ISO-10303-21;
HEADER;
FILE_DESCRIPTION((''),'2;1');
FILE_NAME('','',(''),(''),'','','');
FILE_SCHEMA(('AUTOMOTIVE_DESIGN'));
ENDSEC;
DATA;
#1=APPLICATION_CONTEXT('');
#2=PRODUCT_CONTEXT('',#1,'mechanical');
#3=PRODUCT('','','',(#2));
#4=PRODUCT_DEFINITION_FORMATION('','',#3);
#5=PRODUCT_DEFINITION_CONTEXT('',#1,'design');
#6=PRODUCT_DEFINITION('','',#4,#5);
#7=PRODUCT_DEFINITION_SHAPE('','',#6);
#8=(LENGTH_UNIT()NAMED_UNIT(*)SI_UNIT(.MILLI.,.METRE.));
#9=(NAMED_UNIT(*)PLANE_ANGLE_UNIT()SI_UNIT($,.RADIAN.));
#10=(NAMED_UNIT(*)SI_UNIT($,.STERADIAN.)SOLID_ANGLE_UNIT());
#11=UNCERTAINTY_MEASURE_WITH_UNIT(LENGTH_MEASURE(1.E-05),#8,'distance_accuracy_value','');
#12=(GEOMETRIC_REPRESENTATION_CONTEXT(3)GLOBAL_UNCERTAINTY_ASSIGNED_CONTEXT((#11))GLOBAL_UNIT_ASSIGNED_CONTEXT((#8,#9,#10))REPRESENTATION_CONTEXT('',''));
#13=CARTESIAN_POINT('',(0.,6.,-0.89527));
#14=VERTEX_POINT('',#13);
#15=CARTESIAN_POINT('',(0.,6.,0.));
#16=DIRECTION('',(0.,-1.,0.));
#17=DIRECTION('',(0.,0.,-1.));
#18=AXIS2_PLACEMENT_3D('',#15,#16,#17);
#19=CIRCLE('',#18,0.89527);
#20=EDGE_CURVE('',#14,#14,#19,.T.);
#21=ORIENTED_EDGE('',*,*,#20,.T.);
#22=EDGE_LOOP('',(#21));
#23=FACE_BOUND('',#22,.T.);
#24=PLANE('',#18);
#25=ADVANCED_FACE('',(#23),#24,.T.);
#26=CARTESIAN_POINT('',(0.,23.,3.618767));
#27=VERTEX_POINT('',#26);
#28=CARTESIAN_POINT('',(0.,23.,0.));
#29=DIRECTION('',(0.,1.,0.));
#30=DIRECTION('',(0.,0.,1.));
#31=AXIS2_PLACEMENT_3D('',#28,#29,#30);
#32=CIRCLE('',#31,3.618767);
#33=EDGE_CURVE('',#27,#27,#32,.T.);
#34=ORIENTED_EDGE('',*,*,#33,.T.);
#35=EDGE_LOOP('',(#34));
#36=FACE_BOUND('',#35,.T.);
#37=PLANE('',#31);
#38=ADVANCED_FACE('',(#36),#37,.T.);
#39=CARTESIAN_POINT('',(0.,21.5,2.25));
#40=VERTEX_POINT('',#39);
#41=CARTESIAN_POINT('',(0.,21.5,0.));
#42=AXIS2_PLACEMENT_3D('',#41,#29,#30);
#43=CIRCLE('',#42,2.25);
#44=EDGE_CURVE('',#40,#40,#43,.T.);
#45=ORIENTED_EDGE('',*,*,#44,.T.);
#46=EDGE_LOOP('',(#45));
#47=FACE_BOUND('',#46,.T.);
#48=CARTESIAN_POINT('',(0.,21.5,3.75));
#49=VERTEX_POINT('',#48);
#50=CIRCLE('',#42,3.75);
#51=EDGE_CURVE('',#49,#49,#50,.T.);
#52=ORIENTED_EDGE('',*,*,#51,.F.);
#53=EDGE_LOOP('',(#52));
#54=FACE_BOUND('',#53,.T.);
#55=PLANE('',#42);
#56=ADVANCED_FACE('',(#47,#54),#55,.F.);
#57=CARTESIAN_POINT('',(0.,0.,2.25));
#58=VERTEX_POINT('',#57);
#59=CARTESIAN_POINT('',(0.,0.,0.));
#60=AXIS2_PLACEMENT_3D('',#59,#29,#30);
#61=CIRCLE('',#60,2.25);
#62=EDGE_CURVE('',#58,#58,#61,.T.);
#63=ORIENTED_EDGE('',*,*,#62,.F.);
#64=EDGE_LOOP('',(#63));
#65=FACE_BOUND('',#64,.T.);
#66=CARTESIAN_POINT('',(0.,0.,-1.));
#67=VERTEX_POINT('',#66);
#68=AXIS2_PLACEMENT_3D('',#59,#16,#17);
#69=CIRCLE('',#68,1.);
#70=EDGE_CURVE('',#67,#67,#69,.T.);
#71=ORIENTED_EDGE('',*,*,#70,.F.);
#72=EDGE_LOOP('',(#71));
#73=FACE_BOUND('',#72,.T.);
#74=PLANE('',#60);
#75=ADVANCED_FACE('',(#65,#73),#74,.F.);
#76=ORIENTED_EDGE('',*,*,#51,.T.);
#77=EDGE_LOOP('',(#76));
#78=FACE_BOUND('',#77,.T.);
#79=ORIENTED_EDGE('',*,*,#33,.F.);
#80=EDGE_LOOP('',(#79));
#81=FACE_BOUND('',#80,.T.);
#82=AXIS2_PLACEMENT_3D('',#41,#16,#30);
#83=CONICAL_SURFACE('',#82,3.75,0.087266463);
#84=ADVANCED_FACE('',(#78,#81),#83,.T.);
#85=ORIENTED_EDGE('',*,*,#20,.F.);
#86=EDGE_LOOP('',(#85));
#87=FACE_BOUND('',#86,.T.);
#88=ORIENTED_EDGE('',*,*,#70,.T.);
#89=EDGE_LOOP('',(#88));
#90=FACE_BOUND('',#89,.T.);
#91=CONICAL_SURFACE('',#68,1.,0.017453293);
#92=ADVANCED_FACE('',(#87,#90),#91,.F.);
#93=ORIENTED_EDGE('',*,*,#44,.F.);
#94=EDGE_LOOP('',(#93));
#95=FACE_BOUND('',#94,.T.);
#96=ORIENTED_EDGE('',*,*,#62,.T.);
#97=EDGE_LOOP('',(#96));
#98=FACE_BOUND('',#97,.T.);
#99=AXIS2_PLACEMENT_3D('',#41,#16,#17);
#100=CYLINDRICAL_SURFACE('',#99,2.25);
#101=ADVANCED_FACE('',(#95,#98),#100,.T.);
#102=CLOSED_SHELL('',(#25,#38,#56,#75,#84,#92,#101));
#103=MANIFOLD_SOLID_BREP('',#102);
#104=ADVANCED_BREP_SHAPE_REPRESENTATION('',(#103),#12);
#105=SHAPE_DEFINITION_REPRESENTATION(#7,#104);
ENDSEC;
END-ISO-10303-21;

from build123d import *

# Parameters (mm, degrees)
SKETCH1_R           = 2.25
BOSS_EXTRUDE1_DEPTH = 21.5
SKETCH2_R           = 3.75
BOSS_EXTRUDE2_DEPTH = 1.5
BOSS_EXTRUDE2_TAPER = 5
SKETCH3_R           = 1
CUT_EXTRUDE1_DEPTH  = 6
CUT_EXTRUDE1_DRAFT  = -1


with BuildPart() as part:
    # Sketch1 → Boss-Extrude1 (new body)
    with BuildSketch(Plane(origin=(0, 0, 0), x_dir=(1, 0, 0), z_dir=(0, 1, 0))):
        with Locations(Location((0, 0, 0), (0, 0, 270))):
            Circle(SKETCH1_R)
    extrude(amount=BOSS_EXTRUDE1_DEPTH)

    # Sketch2 → Boss-Extrude2 (add)
    with BuildSketch(Plane(origin=(0, 21.5, 0), x_dir=(1, 0, 0), z_dir=(0, 1, 0))):
        Circle(SKETCH2_R)
    extrude(amount=BOSS_EXTRUDE2_DEPTH, taper=BOSS_EXTRUDE2_TAPER)


with BuildPart() as cut_extrude1_tool:
    # Sketch3 → Cut-Extrude1 (with draft: the straight prism first)
    with BuildSketch(Plane.XZ):
        Circle(SKETCH3_R)
    extrude(amount=-CUT_EXTRUDE1_DEPTH)
    # Cut-Extrude1: the draft: its side faces are tilted about the plane it starts from
    cut_extrude1_sides = [cut_extrude1_tool.faces().sort_by_distance(p)[0] for p in [
        (-1, 3, 0),
    ]]
    draft(cut_extrude1_sides, Plane.XZ, CUT_EXTRUDE1_DRAFT)


with BuildPart() as part_1:
    add(part.part)

    # Cut-Extrude1: cut by cut_extrude1_tool
    add(cut_extrude1_tool.part, mode=Mode.SUBTRACT)


solid = part_1.part
